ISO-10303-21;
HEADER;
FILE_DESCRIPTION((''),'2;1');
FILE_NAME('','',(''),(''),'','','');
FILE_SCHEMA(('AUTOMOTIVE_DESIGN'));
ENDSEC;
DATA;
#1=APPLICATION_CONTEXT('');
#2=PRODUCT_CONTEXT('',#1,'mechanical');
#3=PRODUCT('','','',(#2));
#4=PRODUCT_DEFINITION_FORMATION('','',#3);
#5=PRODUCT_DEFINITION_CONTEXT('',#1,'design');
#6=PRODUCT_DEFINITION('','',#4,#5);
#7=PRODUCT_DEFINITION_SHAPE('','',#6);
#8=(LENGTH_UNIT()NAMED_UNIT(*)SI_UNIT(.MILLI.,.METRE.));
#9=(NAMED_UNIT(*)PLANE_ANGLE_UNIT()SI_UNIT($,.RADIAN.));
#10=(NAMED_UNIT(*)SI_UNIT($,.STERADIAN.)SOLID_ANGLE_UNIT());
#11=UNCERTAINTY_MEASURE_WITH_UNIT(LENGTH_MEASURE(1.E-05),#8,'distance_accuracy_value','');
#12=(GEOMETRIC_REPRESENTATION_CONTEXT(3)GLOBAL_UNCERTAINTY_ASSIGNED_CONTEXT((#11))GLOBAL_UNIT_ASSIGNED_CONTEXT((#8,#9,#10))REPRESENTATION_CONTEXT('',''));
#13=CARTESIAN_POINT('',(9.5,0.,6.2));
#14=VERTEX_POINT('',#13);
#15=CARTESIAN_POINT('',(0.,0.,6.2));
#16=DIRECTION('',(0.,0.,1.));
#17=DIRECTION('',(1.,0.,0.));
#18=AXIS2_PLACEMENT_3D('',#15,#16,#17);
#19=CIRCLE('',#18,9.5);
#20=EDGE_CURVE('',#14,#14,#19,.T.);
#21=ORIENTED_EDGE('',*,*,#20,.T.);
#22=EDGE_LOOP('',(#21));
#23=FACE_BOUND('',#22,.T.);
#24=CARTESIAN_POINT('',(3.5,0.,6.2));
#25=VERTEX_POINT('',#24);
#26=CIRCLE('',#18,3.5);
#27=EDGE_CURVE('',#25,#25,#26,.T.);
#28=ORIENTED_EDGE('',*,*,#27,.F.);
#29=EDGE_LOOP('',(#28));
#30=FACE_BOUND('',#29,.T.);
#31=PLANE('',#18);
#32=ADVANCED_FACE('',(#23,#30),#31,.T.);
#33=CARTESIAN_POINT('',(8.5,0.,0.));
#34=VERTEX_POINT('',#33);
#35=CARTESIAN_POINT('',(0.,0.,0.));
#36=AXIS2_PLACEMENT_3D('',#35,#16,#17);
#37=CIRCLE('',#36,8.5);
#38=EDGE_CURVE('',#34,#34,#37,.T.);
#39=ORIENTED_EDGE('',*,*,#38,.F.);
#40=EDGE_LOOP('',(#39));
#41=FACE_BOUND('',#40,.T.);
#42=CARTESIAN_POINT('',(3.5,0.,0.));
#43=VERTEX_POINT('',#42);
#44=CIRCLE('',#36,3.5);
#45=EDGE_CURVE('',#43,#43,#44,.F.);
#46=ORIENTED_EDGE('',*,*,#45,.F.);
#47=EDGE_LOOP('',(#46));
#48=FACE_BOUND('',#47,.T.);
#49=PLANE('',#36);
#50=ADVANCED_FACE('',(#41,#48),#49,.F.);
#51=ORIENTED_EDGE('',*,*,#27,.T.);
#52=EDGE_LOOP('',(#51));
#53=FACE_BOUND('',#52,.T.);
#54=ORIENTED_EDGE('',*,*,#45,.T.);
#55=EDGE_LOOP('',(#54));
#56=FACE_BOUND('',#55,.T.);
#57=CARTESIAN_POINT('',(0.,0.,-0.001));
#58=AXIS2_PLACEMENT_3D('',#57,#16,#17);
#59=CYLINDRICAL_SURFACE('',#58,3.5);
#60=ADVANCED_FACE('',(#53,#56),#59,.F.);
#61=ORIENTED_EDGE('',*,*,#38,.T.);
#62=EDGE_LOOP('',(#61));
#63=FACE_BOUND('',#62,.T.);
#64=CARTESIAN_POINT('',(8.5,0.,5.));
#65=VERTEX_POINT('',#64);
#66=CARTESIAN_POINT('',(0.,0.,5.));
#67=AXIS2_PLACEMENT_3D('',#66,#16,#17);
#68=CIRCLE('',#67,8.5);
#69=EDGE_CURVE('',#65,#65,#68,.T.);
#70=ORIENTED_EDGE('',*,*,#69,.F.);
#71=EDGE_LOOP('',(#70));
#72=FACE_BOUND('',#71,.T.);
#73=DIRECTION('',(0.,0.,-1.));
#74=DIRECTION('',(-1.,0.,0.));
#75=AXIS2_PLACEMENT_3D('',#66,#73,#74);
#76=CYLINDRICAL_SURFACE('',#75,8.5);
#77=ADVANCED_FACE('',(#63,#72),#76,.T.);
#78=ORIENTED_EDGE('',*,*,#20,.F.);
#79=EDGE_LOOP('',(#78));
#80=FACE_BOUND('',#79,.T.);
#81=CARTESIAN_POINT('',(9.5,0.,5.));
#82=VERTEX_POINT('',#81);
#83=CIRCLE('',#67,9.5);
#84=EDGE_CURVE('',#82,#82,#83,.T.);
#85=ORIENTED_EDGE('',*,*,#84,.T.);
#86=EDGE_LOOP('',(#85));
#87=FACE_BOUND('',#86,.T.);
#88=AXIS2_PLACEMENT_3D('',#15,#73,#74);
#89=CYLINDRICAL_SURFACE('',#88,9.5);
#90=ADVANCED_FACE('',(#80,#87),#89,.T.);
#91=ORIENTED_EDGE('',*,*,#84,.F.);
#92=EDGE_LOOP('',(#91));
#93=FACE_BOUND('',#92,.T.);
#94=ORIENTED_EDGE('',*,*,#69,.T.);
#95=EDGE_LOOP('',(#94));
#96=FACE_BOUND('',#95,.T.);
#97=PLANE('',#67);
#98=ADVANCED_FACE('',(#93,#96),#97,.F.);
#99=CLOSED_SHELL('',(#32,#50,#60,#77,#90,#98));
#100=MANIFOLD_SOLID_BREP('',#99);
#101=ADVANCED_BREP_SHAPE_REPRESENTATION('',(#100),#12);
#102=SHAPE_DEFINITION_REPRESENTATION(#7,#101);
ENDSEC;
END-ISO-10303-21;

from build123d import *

# Parameters (mm, degrees)
SKETCH_1_R          = 8.5
EXTRUDE_1_DEPTH     = 5
SKETCH_2_R          = 9.5
EXTRUDE_2_DEPTH     = 1.2
CUT_EXTRUDE_1_REACH = 8.2
SKETCH_3_R          = 3.5


with BuildPart() as part:
    # 草圖1 → 填料-伸長1 (new body)
    with BuildSketch(Plane.XY):
        Circle(SKETCH_1_R)
    extrude(amount=EXTRUDE_1_DEPTH)

    # 草圖2 → 填料-伸長2 (add)
    with BuildSketch(Plane.XY.offset(5)):
        Circle(SKETCH_2_R)
    extrude(amount=EXTRUDE_2_DEPTH)

    # 草圖3 → 除料-伸長1 (cut, up to next)
    with BuildSketch(Plane.XY.offset(6.2), mode=Mode.PRIVATE) as cut_extrude_1_sk1:
        Circle(SKETCH_3_R)
    cut_extrude_1_tool1 = extrude(cut_extrude_1_sk1.sketch, amount=-CUT_EXTRUDE_1_REACH, mode=Mode.PRIVATE) & part.part
    add(cut_extrude_1_tool1.solids().sort_by_distance((0, 0, 6.2))[0], mode=Mode.SUBTRACT)


solid = part.part
